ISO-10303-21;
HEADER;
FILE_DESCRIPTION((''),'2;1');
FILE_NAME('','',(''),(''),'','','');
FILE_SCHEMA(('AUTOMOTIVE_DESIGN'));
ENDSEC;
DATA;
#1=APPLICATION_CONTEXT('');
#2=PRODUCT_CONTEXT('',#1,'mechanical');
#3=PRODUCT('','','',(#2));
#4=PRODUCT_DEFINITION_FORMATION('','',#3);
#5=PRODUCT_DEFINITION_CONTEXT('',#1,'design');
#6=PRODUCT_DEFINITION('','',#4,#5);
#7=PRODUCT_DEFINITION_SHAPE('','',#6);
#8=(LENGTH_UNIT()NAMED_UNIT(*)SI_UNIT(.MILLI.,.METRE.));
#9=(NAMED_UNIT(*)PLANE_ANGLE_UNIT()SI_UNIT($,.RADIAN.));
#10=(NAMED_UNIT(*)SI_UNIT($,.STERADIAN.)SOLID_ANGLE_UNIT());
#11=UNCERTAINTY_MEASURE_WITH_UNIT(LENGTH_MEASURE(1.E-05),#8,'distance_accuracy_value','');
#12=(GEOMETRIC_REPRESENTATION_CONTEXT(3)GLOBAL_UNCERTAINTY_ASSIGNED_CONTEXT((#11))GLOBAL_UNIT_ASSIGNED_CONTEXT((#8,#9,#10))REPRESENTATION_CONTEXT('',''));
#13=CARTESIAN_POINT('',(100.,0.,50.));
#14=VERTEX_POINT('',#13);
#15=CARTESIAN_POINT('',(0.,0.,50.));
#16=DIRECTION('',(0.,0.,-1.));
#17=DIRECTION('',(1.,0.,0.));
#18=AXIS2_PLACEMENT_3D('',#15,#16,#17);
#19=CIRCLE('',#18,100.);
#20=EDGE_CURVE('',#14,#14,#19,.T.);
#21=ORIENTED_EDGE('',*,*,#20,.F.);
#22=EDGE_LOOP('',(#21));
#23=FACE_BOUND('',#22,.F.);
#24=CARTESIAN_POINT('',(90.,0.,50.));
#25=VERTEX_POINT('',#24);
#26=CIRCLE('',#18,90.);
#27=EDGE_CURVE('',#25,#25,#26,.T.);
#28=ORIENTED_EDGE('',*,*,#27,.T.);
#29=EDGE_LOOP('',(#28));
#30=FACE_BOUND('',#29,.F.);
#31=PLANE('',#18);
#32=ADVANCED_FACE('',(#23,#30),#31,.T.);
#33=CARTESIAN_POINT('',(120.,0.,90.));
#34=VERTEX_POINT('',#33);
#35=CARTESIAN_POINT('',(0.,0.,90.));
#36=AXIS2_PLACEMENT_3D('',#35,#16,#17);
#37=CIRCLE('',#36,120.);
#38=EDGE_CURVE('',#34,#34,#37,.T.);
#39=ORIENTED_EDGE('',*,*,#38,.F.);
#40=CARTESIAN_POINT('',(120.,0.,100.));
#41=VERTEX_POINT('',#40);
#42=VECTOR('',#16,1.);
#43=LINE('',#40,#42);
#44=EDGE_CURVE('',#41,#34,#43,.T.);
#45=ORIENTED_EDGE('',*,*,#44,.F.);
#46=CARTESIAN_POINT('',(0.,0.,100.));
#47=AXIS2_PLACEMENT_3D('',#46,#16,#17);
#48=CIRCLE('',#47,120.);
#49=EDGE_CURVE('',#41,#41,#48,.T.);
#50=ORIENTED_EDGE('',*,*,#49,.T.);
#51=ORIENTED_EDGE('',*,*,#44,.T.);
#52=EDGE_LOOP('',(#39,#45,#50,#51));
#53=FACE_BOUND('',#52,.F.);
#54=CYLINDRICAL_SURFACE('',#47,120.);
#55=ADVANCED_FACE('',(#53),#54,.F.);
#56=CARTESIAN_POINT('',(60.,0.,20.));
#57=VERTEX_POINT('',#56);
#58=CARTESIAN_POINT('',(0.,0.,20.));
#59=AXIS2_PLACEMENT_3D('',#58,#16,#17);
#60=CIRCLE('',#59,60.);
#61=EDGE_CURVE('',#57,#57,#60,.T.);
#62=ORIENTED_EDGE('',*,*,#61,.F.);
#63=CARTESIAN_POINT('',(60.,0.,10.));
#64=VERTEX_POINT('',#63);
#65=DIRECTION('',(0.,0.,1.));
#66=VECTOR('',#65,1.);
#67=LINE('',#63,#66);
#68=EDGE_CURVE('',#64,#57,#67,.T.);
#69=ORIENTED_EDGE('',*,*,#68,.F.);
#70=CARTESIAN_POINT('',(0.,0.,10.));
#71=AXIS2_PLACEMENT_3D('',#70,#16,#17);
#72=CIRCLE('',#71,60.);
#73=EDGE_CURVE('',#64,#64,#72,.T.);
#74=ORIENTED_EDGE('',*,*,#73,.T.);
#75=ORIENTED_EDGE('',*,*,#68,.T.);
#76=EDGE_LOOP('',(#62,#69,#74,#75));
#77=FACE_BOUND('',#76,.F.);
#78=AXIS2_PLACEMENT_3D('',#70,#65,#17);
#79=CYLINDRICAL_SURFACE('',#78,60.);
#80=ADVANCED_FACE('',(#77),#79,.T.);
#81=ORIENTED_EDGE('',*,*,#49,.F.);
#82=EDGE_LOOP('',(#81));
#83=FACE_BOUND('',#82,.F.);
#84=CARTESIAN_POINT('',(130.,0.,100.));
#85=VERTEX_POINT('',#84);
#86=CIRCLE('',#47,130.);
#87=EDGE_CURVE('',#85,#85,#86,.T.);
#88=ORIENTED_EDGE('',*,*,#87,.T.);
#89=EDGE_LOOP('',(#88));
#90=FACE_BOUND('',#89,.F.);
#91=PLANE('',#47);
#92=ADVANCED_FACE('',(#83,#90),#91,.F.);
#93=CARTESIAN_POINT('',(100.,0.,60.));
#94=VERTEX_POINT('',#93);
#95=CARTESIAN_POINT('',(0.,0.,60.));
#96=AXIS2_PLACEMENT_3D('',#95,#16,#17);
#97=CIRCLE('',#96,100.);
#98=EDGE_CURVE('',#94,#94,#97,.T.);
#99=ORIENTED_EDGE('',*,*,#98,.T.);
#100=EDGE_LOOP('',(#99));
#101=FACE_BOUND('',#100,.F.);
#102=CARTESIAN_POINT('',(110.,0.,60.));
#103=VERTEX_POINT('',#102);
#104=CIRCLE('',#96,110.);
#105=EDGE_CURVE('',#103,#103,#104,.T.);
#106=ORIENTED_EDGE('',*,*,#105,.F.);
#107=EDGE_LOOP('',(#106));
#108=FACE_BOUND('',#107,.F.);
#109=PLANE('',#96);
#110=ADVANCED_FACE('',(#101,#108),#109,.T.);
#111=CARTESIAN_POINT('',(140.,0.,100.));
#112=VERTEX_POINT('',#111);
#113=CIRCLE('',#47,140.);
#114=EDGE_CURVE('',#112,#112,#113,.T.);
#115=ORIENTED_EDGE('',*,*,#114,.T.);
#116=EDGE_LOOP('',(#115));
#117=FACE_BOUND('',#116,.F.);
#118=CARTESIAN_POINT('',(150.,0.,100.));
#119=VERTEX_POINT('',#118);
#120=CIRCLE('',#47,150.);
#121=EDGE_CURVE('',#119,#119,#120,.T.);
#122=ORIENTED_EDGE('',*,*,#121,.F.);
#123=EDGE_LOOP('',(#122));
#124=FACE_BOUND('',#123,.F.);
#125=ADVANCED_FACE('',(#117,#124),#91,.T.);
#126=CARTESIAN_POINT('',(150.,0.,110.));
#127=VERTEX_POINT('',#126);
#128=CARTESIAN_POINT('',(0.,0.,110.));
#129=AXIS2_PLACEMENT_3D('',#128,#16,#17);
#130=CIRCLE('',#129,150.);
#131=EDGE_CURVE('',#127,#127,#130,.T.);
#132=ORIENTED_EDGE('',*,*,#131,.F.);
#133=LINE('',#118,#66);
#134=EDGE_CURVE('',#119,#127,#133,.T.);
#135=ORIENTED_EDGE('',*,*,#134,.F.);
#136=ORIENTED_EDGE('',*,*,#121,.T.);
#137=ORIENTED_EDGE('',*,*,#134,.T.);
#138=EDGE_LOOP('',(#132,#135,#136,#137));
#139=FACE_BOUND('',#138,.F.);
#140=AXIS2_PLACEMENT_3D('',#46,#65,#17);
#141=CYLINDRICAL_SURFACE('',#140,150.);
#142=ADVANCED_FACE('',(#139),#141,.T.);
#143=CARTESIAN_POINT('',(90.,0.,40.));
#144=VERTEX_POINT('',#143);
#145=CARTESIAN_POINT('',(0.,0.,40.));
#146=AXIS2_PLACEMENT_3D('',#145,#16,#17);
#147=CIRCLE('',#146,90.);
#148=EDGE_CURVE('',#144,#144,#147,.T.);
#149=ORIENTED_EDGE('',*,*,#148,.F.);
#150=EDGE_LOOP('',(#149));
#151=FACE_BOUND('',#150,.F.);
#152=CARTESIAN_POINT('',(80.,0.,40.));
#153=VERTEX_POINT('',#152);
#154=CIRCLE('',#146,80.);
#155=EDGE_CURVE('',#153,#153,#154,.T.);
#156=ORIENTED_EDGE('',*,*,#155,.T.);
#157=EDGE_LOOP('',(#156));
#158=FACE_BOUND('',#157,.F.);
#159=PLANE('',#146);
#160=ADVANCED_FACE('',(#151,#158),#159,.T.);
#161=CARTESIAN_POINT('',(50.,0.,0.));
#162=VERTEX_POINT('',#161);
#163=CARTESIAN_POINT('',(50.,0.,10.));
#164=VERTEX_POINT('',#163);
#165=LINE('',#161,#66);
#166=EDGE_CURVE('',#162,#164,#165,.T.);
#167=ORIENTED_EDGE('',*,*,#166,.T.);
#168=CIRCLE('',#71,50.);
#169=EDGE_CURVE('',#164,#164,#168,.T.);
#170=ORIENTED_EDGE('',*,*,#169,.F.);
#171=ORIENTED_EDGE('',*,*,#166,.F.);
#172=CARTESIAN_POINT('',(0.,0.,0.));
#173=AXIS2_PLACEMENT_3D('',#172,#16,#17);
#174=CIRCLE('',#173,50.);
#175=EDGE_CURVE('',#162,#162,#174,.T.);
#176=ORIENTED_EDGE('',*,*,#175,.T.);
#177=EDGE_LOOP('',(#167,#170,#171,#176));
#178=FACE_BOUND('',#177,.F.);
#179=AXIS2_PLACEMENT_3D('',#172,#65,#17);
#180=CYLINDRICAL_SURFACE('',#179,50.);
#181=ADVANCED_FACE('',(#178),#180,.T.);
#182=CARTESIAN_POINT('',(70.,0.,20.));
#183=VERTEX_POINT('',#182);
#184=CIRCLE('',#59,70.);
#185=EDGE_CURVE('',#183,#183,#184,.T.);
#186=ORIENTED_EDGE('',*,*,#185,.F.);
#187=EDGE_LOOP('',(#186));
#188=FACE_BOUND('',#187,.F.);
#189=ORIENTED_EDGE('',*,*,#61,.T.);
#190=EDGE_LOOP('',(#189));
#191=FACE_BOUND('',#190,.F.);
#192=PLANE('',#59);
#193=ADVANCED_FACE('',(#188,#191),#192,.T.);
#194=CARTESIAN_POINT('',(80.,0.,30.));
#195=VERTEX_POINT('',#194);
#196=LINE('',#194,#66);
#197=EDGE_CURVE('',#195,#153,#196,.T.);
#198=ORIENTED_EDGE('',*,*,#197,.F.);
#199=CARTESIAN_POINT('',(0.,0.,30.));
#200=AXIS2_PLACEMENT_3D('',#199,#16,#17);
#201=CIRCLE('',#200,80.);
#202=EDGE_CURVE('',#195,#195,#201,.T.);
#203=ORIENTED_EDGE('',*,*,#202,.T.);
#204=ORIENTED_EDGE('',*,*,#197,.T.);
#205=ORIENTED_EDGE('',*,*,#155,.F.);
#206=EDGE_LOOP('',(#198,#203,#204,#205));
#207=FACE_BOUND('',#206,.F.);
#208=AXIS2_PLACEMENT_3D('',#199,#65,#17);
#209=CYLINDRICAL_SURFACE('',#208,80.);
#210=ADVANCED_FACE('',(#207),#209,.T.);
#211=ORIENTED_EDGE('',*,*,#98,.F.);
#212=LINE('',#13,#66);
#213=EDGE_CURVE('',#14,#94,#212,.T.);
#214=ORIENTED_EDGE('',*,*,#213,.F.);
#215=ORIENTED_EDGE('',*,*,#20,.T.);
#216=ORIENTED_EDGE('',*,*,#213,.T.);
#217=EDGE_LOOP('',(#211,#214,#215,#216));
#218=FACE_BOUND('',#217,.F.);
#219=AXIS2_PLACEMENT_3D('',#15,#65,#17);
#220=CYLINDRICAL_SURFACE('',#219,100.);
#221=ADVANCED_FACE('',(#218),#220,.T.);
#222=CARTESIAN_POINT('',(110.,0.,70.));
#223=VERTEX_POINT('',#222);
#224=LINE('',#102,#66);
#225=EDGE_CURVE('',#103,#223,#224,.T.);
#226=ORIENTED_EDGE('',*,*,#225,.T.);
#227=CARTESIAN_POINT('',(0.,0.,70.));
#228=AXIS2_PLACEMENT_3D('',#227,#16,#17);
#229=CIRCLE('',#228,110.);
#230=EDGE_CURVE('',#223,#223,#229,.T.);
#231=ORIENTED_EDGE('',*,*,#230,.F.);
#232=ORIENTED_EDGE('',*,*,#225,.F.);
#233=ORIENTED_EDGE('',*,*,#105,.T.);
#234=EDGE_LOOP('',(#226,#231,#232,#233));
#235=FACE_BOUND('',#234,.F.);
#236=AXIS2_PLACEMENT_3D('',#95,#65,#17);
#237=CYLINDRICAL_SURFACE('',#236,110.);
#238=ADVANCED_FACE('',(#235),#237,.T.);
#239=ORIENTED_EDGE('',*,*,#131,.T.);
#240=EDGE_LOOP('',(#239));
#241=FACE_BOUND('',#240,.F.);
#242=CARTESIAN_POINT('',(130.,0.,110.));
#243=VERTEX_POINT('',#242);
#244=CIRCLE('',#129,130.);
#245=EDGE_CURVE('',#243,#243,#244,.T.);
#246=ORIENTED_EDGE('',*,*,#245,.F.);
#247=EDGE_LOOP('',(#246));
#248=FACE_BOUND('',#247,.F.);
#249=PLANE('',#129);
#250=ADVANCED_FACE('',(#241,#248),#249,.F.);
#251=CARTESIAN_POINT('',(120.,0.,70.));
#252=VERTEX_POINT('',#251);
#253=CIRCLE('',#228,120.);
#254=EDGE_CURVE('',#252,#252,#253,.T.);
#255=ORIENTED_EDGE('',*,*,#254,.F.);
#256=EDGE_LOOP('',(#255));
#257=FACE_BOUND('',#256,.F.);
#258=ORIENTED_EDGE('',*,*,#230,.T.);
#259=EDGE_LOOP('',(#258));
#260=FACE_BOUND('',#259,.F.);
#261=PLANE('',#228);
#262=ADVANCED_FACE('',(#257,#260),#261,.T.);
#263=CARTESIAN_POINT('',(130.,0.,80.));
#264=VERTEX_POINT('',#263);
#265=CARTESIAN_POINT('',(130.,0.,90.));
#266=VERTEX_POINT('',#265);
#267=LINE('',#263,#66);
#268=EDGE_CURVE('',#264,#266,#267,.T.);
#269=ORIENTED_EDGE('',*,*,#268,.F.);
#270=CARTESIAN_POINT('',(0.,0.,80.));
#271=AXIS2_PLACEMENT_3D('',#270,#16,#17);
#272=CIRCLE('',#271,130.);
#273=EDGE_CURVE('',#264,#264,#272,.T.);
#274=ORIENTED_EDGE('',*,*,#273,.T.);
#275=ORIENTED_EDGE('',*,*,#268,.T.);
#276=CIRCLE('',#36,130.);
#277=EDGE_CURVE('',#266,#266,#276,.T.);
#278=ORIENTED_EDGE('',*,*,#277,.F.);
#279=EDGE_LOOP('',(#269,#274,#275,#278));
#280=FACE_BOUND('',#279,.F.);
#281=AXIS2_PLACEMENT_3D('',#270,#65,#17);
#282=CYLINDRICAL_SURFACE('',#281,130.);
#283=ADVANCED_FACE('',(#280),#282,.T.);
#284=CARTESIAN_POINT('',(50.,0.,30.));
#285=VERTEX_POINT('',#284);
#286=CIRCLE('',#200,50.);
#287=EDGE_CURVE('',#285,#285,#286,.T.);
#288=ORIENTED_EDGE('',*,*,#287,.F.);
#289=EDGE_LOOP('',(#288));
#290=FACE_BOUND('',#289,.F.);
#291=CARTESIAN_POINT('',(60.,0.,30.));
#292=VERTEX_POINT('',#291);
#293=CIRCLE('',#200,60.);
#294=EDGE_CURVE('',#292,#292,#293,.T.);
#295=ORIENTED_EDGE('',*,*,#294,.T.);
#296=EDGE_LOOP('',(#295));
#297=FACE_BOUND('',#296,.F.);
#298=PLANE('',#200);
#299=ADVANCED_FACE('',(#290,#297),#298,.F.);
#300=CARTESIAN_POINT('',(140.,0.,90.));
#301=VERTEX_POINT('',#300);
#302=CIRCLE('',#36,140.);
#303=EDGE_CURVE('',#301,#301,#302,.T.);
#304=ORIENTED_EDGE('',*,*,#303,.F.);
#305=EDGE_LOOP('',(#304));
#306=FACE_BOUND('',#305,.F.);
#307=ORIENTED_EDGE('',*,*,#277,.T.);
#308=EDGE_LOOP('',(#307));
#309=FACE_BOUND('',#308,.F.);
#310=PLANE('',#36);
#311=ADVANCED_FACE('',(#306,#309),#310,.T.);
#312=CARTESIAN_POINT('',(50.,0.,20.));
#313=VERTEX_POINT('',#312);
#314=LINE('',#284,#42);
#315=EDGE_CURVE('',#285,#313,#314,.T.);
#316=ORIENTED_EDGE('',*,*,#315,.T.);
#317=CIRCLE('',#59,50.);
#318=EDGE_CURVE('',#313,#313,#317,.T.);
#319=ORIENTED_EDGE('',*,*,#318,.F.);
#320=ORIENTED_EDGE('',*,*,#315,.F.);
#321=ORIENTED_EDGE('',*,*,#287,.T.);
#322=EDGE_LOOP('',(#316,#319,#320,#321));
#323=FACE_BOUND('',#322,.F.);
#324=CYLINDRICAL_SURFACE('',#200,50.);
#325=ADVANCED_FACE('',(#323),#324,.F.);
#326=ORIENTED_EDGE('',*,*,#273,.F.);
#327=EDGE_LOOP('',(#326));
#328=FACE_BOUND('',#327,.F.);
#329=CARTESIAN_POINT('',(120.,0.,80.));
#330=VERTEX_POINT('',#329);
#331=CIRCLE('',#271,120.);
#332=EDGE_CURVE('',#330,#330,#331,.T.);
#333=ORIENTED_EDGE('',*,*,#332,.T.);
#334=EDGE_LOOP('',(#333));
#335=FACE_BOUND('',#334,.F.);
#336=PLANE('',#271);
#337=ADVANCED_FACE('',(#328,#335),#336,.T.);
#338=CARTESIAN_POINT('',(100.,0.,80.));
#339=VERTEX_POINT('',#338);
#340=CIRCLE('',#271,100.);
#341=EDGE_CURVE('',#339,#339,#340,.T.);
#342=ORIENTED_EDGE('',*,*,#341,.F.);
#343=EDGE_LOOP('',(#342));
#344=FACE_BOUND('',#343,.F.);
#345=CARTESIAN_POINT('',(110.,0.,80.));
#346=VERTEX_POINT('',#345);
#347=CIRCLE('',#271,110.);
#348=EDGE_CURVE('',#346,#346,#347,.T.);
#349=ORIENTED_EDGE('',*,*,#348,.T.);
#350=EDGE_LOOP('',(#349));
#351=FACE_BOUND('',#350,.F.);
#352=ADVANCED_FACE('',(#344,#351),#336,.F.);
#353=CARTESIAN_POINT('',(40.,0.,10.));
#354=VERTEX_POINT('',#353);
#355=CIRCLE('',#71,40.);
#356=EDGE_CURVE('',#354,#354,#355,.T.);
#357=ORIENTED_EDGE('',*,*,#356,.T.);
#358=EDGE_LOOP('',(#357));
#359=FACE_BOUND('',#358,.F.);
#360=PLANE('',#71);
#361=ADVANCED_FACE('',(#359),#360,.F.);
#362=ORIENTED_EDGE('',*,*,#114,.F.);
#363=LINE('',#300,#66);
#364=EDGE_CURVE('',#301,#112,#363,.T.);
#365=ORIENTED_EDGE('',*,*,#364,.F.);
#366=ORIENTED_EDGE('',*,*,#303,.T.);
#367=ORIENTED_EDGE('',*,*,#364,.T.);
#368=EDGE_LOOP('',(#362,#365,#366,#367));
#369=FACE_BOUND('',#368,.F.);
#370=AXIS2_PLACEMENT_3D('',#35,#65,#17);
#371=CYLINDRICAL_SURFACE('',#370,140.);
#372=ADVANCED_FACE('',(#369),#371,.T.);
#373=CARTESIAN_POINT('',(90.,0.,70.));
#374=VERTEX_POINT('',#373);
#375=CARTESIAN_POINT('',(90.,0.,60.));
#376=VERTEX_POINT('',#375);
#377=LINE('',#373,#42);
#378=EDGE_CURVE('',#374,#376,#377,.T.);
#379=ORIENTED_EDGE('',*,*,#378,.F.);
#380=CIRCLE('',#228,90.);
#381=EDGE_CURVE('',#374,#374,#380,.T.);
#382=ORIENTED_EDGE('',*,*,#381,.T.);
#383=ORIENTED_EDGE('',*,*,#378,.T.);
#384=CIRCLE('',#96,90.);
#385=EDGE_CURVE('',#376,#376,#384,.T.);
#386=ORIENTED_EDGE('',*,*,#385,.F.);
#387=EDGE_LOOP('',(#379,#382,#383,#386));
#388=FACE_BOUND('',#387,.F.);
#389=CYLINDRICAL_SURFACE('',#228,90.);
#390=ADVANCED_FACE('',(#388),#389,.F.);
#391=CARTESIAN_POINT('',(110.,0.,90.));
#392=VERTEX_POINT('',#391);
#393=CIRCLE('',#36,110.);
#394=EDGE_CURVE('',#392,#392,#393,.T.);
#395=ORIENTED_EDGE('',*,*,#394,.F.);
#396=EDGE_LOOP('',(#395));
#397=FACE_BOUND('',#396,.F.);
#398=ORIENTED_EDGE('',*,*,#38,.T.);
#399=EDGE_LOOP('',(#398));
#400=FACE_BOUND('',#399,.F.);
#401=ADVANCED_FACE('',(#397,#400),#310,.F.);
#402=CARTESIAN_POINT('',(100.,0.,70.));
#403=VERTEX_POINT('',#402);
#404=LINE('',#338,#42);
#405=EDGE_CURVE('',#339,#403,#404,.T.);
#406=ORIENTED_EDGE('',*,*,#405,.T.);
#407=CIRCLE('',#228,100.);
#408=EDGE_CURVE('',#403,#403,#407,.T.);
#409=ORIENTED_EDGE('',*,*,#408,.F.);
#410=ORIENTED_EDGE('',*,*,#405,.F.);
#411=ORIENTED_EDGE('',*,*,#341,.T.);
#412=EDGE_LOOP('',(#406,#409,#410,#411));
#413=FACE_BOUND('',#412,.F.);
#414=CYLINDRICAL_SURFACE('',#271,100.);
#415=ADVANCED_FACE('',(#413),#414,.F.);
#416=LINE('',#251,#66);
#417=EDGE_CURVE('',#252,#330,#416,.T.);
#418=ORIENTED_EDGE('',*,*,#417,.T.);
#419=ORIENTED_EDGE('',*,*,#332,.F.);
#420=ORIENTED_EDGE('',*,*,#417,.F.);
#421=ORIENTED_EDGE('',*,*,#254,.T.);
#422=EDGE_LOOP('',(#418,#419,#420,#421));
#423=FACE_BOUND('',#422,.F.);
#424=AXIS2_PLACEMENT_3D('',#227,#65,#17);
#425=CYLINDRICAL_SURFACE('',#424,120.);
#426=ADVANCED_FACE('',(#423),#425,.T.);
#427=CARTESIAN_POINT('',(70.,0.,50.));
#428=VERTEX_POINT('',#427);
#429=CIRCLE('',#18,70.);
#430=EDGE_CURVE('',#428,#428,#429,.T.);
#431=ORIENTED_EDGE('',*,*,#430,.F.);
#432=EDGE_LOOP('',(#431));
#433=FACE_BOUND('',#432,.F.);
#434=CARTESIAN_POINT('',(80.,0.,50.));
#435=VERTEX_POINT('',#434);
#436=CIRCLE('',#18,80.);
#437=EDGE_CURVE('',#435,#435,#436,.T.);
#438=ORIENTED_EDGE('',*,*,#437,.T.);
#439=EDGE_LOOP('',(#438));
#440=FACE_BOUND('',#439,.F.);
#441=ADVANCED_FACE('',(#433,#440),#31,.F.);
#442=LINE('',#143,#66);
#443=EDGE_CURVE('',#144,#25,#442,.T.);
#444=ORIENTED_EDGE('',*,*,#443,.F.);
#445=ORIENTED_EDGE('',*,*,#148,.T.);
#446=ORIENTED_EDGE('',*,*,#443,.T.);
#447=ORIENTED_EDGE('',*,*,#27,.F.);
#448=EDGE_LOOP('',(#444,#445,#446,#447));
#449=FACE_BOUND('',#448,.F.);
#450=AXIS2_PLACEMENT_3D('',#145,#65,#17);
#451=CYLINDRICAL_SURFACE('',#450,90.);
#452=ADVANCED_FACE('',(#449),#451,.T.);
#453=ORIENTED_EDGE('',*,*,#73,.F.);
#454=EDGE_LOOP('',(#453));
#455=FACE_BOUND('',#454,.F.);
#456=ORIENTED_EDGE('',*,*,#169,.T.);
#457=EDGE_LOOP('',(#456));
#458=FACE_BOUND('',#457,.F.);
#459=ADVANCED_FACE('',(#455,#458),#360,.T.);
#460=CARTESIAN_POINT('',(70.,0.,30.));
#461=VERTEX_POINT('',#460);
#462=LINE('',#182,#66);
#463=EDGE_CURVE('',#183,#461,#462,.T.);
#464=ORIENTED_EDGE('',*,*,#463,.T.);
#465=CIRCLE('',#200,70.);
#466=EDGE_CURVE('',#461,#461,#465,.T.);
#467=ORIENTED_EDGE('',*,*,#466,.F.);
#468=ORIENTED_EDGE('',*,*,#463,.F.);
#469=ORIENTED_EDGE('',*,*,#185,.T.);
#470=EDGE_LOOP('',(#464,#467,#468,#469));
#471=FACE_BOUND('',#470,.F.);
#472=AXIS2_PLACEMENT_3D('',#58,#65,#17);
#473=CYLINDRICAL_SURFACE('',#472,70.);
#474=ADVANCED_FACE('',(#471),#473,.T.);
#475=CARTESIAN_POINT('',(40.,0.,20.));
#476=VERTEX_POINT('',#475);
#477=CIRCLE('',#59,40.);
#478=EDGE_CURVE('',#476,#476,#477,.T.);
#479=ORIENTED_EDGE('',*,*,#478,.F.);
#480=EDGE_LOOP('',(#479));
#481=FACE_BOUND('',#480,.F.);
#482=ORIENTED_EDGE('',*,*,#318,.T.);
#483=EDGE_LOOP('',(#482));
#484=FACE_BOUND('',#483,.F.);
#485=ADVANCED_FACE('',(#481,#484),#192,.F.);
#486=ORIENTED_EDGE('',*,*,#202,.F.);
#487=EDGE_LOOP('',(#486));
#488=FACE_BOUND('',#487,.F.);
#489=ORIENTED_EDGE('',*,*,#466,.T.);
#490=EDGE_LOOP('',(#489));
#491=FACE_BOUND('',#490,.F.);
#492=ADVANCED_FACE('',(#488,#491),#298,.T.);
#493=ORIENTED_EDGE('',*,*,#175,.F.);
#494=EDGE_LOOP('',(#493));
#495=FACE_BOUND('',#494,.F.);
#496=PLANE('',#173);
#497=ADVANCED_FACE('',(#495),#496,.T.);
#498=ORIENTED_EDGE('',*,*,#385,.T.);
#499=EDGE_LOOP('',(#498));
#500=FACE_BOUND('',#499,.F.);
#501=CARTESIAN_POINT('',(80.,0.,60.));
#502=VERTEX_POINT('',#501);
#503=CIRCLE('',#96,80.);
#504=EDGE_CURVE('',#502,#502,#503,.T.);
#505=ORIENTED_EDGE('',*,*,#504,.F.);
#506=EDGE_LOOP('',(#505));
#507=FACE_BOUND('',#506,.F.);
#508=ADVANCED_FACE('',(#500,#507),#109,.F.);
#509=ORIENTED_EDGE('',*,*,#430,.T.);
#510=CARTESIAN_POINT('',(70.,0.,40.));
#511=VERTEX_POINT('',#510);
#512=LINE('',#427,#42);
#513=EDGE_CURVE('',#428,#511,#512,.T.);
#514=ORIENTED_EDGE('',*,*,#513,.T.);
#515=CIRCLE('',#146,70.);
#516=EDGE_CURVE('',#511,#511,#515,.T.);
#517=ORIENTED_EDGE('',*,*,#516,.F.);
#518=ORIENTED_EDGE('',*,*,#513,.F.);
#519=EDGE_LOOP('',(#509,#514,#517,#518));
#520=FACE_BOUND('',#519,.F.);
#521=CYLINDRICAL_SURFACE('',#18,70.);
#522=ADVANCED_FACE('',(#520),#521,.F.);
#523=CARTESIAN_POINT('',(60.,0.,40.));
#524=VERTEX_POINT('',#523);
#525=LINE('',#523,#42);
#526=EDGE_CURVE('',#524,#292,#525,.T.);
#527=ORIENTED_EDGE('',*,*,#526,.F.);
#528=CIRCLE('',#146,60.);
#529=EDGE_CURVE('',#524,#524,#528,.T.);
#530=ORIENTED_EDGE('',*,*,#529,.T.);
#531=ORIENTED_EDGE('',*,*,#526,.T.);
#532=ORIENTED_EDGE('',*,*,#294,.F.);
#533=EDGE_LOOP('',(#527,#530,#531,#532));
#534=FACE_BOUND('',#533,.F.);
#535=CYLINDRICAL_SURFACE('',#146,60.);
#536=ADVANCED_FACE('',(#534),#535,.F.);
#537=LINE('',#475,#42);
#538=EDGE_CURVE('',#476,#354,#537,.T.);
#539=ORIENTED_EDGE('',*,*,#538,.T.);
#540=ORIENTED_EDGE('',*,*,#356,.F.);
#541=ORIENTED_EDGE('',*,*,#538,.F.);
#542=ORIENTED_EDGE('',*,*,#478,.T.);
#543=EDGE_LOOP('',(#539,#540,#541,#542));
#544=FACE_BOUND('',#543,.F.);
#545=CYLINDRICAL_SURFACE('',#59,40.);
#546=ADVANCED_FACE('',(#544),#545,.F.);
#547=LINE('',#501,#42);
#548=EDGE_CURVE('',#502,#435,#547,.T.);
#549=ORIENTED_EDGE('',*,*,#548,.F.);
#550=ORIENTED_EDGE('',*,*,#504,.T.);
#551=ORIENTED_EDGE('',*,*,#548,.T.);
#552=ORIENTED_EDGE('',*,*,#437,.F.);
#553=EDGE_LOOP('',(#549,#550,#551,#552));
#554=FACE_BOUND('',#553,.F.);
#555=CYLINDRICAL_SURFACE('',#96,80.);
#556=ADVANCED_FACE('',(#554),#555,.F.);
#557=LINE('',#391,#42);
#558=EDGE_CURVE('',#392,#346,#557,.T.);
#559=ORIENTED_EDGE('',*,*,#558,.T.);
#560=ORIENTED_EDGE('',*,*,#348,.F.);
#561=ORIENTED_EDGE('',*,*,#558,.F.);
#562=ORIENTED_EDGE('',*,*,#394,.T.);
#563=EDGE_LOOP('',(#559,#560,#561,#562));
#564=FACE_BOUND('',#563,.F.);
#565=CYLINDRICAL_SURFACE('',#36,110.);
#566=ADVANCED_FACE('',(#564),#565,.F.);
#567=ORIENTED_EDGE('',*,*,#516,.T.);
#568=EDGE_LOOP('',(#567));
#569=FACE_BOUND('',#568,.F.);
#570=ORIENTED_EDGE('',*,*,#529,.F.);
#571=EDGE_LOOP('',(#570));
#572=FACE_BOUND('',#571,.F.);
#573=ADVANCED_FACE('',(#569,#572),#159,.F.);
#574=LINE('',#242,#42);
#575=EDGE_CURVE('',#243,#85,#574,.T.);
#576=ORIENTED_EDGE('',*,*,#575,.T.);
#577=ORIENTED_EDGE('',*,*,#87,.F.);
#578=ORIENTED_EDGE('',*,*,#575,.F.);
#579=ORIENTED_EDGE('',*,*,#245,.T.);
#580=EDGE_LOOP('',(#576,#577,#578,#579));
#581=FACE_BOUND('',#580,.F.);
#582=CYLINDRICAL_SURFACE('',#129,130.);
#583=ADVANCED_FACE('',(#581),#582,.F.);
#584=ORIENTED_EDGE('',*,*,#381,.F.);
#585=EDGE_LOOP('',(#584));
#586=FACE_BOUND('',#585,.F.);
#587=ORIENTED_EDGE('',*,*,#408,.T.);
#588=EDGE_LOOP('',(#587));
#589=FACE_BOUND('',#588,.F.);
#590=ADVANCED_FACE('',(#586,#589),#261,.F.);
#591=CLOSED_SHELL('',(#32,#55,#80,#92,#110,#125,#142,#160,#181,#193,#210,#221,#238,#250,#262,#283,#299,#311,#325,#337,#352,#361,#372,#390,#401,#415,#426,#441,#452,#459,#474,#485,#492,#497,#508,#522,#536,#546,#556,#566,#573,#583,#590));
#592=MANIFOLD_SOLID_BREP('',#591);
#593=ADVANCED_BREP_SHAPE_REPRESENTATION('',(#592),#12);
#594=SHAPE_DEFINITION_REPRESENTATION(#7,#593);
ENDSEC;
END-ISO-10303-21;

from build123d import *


with BuildPart() as f1:
    # F0 (on Front) → F1 (revolve)
    with BuildSketch(Plane.XZ):
        Polygon((0, 10), (0, 0), (50, 0), (50, 10), (60, 10), (60, 20), (70, 20), (70, 30), (80, 30), (80, 40), (90, 40), (90, 50), (100, 50), (100, 60), (110, 60), (110, 70), (120, 70), (120, 80), (130, 80), (130, 90), (140, 90), (140, 100), (150, 100), (150, 110), (130, 110), (130, 100), (120, 100), (120, 90), (110, 90), (110, 80), (100, 80), (100, 70), (90, 70), (90, 60), (80, 60), (80, 50), (70, 50), (70, 40), (60, 40), (60, 30), (50, 30), (50, 20), (40, 20), (40, 10), align=None)
    revolve(axis=Axis((0, 0, 5), (0, 0, -1)))


solid = f1.part
